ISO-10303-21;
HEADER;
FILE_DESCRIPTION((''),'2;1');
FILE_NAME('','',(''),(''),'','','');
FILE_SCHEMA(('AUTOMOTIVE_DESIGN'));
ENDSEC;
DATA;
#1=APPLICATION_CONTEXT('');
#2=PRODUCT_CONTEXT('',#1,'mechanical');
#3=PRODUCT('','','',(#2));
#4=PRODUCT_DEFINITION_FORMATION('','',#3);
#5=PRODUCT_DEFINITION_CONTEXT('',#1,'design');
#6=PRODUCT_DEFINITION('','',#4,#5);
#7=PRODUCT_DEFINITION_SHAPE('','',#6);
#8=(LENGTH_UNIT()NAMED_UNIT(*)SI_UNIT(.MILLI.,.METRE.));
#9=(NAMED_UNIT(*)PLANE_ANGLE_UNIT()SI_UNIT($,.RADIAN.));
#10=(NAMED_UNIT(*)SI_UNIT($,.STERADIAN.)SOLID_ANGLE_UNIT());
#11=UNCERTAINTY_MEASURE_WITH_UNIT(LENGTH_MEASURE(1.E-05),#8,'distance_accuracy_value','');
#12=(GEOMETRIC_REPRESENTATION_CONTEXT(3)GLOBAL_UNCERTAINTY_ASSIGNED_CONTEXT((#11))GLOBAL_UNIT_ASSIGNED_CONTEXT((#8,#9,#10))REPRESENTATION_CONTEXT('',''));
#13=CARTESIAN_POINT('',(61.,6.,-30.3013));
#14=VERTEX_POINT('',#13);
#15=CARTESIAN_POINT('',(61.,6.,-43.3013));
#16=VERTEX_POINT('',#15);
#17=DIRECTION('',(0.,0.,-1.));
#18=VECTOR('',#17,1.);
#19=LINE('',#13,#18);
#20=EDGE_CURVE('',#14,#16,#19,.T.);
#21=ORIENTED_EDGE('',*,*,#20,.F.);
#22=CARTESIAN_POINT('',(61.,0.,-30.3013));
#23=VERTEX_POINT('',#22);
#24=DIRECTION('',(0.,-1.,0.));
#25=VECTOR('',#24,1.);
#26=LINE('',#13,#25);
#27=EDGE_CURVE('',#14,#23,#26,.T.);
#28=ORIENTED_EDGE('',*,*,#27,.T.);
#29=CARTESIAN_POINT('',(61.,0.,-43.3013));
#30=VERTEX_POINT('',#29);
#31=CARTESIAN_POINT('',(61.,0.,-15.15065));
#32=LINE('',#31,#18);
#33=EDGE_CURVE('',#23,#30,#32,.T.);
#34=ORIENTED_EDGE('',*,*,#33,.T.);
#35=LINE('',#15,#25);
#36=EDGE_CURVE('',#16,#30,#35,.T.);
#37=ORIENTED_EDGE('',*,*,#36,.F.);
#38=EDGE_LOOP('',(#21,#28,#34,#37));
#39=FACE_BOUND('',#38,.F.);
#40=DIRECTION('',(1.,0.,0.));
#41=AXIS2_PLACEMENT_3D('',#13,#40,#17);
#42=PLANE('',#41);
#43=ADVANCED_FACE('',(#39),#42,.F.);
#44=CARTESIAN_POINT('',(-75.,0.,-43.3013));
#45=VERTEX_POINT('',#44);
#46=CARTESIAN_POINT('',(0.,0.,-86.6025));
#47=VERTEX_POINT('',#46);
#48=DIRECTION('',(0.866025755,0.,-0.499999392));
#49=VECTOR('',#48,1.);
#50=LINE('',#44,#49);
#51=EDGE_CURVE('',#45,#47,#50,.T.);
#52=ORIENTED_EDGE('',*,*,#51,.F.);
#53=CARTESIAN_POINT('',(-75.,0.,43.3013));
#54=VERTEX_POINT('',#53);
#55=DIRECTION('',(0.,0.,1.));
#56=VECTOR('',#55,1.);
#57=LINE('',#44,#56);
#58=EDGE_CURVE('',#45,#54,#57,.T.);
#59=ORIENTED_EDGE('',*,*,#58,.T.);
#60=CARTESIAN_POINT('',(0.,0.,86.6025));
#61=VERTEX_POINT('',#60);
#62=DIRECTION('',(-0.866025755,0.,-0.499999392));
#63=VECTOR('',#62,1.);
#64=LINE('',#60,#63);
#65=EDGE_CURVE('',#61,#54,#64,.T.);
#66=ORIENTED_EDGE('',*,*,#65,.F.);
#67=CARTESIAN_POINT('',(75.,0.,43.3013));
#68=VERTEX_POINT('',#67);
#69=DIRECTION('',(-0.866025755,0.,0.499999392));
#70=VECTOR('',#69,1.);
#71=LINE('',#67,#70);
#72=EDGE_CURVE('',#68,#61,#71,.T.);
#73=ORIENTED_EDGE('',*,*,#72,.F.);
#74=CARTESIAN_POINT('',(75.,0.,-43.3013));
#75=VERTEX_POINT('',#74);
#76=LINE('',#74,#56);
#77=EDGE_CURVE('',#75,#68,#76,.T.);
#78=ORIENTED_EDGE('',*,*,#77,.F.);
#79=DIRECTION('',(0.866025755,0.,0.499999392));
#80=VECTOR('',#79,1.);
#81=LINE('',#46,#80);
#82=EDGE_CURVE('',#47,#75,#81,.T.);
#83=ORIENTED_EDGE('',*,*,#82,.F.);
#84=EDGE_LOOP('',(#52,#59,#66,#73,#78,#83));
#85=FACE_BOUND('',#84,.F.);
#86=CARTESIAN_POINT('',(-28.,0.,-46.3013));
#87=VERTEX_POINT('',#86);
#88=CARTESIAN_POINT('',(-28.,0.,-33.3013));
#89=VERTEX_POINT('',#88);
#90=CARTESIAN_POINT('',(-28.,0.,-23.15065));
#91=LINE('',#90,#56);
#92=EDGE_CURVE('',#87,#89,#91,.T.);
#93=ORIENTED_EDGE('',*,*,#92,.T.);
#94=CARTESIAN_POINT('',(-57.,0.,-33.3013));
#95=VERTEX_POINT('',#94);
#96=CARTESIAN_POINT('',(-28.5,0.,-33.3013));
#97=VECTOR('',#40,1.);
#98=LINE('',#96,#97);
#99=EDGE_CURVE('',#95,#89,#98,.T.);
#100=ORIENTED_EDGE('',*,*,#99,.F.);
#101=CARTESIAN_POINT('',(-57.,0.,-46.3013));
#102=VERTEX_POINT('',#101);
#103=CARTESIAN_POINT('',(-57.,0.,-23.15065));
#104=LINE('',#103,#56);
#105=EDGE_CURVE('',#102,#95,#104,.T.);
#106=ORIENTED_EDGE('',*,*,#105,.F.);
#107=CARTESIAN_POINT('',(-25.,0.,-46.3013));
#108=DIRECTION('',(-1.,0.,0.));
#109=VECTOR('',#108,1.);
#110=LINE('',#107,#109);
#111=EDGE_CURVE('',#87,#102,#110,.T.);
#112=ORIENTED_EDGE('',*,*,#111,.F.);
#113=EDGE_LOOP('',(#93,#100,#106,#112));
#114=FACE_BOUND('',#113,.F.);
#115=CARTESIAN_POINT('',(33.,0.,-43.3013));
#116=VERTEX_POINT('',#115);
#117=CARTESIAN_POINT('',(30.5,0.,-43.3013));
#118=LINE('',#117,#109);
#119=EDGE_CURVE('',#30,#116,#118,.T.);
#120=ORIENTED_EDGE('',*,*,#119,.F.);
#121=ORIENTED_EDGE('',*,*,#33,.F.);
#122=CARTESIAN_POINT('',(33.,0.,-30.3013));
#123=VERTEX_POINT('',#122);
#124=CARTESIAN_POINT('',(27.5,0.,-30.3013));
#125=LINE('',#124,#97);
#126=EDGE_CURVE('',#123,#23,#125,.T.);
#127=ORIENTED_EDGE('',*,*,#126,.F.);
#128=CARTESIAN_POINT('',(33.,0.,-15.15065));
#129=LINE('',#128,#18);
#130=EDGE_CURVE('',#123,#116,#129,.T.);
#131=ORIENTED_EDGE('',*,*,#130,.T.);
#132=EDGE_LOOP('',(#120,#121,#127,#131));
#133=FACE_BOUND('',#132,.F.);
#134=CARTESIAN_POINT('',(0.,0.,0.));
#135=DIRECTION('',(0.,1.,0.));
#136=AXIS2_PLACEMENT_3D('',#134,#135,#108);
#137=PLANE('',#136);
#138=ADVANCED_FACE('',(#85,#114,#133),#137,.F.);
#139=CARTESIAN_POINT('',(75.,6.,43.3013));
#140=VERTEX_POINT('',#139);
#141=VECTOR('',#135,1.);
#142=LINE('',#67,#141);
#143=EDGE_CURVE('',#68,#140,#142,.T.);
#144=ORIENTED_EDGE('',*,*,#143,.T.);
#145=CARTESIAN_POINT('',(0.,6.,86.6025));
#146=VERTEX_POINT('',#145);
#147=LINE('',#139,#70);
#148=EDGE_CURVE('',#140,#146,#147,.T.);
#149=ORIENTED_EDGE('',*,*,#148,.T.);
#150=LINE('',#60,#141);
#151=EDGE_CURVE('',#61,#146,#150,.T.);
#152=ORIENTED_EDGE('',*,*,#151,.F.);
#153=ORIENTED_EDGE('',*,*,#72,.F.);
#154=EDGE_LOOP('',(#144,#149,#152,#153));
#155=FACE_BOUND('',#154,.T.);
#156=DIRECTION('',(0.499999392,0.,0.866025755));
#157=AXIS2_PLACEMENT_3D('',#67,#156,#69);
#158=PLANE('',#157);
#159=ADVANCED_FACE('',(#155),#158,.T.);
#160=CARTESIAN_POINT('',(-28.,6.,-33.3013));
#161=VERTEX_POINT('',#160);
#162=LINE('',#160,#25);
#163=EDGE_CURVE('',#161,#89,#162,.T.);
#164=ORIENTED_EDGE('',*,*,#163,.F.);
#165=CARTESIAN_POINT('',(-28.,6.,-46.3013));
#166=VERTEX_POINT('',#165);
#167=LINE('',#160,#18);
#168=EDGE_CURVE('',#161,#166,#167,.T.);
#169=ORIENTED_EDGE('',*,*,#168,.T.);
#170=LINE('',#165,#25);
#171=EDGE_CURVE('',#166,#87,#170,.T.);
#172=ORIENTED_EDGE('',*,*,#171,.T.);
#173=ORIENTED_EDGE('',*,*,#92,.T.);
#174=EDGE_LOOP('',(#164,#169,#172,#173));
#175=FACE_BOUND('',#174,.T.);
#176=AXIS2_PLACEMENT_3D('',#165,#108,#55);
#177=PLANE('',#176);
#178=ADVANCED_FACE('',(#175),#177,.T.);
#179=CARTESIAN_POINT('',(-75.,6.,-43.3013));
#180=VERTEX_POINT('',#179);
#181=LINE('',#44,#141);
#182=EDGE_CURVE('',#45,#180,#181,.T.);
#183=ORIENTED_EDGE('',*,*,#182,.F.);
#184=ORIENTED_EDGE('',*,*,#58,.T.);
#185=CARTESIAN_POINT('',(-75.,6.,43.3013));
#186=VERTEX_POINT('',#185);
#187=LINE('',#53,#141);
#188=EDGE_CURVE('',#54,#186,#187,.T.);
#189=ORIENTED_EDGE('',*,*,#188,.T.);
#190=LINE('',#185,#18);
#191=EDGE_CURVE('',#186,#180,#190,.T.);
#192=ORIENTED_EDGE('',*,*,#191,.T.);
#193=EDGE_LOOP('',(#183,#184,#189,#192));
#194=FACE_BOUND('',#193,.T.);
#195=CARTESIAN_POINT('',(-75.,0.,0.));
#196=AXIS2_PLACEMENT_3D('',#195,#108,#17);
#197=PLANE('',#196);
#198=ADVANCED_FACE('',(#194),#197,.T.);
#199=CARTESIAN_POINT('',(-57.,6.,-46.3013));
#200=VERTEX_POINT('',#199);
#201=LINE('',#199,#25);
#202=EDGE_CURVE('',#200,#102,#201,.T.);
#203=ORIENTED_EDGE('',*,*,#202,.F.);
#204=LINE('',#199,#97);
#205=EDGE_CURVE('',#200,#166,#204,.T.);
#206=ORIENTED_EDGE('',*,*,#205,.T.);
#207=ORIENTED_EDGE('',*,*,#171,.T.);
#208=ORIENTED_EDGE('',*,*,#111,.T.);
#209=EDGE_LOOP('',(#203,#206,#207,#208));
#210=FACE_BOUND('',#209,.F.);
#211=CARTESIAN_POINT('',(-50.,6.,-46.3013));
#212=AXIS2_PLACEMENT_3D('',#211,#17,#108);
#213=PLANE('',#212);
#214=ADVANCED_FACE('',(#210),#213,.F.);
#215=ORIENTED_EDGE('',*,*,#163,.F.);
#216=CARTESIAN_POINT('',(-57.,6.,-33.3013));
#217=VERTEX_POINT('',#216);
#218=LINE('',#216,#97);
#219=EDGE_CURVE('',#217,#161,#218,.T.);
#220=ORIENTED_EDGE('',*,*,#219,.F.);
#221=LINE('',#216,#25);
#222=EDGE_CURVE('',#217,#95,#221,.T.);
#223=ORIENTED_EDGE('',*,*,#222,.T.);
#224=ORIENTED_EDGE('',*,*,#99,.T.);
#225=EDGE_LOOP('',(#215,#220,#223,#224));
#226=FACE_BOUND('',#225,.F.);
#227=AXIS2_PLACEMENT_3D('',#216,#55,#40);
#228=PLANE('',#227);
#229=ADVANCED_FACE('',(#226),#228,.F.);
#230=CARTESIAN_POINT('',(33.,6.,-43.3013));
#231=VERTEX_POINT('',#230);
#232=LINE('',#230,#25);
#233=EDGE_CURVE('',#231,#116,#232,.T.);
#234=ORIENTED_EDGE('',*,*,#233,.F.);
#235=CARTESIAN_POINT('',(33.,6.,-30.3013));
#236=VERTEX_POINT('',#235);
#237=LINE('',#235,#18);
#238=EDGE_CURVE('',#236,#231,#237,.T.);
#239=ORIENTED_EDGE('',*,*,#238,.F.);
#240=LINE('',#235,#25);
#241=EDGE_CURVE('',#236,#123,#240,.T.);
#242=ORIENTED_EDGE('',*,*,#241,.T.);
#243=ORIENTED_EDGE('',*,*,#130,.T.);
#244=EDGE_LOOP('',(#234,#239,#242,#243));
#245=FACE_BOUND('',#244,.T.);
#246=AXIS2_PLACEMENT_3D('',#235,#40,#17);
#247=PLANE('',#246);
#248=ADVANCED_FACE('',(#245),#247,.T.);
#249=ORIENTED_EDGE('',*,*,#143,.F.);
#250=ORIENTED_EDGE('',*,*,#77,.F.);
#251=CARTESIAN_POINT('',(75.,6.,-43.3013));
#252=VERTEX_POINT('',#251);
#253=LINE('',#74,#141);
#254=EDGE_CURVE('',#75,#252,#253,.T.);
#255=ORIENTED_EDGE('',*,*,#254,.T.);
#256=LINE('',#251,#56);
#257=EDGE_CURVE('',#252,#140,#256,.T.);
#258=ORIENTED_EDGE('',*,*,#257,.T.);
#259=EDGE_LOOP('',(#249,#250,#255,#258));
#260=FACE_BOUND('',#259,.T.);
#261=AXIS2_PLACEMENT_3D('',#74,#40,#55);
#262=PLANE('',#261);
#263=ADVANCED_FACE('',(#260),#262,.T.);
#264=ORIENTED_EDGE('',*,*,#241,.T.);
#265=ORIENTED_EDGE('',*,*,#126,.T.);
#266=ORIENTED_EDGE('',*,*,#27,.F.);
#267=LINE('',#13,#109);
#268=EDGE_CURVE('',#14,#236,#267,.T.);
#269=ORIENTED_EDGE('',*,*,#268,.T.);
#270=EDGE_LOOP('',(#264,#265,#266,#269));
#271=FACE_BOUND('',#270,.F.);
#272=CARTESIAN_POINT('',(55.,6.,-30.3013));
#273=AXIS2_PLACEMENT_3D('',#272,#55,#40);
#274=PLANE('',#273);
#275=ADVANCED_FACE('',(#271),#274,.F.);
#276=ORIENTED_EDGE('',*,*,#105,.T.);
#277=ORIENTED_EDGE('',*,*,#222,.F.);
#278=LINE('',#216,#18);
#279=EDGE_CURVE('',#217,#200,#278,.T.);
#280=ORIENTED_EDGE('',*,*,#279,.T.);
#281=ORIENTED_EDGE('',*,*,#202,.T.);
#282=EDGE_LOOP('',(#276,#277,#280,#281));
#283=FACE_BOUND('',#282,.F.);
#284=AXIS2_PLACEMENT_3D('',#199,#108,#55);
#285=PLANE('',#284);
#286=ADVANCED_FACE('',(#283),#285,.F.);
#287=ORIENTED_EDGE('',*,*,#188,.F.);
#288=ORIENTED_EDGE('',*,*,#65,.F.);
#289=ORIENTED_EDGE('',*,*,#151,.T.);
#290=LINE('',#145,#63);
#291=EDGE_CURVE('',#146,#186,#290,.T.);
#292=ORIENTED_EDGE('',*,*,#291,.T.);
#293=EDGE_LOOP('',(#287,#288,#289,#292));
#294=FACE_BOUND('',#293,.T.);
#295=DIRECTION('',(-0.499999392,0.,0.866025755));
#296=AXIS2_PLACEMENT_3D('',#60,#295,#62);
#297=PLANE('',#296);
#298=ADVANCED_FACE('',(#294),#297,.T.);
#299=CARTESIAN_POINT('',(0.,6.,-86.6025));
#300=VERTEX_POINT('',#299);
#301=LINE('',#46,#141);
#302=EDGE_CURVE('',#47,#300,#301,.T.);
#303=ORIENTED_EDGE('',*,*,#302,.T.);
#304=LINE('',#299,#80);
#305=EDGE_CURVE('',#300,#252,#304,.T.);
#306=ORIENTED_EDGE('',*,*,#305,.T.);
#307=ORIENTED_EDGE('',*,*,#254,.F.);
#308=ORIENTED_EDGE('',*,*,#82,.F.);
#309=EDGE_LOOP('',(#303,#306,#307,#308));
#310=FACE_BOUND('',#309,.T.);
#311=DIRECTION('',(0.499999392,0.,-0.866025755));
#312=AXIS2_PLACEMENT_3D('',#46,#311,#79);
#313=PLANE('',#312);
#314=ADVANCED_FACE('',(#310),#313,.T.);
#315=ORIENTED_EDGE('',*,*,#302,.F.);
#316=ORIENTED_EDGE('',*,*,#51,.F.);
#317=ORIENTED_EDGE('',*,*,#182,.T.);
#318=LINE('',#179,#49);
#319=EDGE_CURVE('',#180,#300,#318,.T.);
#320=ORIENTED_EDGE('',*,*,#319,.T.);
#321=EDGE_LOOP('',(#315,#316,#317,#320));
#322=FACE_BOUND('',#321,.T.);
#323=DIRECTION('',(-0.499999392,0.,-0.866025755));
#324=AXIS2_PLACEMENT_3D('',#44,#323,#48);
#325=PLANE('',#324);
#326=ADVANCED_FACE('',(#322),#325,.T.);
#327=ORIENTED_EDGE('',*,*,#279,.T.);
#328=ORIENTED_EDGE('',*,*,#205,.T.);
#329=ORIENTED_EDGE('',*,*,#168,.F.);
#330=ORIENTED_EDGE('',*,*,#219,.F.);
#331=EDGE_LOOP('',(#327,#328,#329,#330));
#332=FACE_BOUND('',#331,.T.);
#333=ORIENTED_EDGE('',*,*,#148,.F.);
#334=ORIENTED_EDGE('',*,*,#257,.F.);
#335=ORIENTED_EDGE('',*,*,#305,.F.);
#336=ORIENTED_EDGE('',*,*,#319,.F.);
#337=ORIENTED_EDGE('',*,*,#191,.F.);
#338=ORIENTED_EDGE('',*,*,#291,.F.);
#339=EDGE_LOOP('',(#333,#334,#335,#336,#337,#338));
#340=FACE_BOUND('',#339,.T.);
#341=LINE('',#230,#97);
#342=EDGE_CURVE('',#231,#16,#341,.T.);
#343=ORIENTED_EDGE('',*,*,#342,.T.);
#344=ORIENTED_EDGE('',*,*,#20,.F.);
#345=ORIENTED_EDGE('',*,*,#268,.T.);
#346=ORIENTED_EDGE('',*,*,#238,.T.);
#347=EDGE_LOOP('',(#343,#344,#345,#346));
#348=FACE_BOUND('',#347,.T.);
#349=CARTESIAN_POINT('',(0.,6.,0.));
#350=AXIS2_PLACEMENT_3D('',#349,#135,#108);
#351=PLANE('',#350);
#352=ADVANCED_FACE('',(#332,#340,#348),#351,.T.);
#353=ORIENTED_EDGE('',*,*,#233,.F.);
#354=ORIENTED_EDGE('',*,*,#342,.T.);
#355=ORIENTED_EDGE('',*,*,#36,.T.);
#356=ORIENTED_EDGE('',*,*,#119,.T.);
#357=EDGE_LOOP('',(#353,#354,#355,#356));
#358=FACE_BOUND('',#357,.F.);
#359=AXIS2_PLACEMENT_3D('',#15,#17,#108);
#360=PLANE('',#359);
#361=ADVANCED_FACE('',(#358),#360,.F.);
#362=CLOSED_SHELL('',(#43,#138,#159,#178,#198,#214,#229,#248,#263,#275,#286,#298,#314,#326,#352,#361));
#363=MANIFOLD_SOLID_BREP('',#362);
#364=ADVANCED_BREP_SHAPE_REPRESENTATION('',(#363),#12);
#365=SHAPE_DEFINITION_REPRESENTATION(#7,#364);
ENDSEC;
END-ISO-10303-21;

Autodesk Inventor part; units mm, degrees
ref_plane "YZ Plane" through (0, 0, 0) normal (1, 0, 0) x (0, 1, 0)
ref_plane "XZ Plane" through (0, 0, 0) normal (0, 1, 0) x (-1, 0, 0)
ref_plane "XY Plane" through (0, 0, 0) normal (0, 0, 1) x (1, 0, 0)
sketch "Sketch1" plane through (0, 0, 0) normal (0, 1, 0) x (-1, 0, 0)
  line L0 (0, 0) -> (75, 0)
  line L1 (0, 0) -> (75, 0) construction
  line L2 (75, -43.3013) -> (0, -86.6025)
  line L3 (0, -86.6025) -> (-75, -43.3013)
  line L4 (-75, -43.3013) -> (-75, 43.3013)
  line L5 (-75, 43.3013) -> (0, 86.6025)
  line L6 (0, 86.6025) -> (75, 43.3013)
  line L7 (75, 43.3013) -> (75, -43.3013)
  dimension "d0" = 75
  dimension "d1" = 0
extrude "Extrusion1" add sketch "Sketch1" along normal blind 6
sketch "Sketch9" plane through (0, 6, 0) normal (0, 1, 0) x (1, 0, 0)
  line L0 (-75, 43.3013) -> (-75, -43.3013) projected
  line L1 (-75, 43.3013) -> (-50, 43.3013)
  line L2 (75, 43.3013) -> (0, 86.6025) projected
  line L3 (75, 43.3013) -> (55, 43.3013)
  line L4 (55, 43.3013) -> (55, 30.3013)
  line L5 (55, 30.3013) -> (33, 30.3013)
  line L6 (33, 30.3013) -> (33, 43.3013)
  line L7 (33, 43.3013) -> (55, 43.3013)
  line L8 (-50, 43.3013) -> (-50, 33.3013)
  line L9 (-50, 33.3013) -> (-28, 33.3013)
  line L10 (-28, 33.3013) -> (-28, 43.3013)
  line L11 (-28, 43.3013) -> (-50, 43.3013)
  line L12 (-28, 43.3013) -> (-50, 43.3013)
  line L13 (-50, 43.3013) -> (-50, 46.3013)
  line L14 (-50, 46.3013) -> (-28, 46.3013)
  line L15 (-28, 46.3013) -> (-28, 43.3013)
  line L16 (-50, 33.3013) -> (-50, 46.3013)
  line L17 (-50, 46.3013) -> (-57, 46.3013)
  line L18 (-57, 46.3013) -> (-57, 33.3013)
  line L19 (-57, 33.3013) -> (-50, 33.3013)
  line L20 (55, 43.3013) -> (55, 30.3013)
  line L21 (55, 30.3013) -> (61, 30.3013)
  line L22 (61, 30.3013) -> (61, 43.3013)
  line L23 (61, 43.3013) -> (55, 43.3013)
  point P0 (0, 0)
  dimension "d26" = 25
  dimension "d27" = 20
  dimension "d28" = 13
  dimension "d29" = 22
  dimension "d30" = 10
  dimension "d31" = 22
  dimension "d32" = 3
  dimension "d33" = 7
  dimension "d34" = 6
extrude "Extrusion2" cut sketch "Sketch9" against normal blind 10
properties part number "baseBody"
